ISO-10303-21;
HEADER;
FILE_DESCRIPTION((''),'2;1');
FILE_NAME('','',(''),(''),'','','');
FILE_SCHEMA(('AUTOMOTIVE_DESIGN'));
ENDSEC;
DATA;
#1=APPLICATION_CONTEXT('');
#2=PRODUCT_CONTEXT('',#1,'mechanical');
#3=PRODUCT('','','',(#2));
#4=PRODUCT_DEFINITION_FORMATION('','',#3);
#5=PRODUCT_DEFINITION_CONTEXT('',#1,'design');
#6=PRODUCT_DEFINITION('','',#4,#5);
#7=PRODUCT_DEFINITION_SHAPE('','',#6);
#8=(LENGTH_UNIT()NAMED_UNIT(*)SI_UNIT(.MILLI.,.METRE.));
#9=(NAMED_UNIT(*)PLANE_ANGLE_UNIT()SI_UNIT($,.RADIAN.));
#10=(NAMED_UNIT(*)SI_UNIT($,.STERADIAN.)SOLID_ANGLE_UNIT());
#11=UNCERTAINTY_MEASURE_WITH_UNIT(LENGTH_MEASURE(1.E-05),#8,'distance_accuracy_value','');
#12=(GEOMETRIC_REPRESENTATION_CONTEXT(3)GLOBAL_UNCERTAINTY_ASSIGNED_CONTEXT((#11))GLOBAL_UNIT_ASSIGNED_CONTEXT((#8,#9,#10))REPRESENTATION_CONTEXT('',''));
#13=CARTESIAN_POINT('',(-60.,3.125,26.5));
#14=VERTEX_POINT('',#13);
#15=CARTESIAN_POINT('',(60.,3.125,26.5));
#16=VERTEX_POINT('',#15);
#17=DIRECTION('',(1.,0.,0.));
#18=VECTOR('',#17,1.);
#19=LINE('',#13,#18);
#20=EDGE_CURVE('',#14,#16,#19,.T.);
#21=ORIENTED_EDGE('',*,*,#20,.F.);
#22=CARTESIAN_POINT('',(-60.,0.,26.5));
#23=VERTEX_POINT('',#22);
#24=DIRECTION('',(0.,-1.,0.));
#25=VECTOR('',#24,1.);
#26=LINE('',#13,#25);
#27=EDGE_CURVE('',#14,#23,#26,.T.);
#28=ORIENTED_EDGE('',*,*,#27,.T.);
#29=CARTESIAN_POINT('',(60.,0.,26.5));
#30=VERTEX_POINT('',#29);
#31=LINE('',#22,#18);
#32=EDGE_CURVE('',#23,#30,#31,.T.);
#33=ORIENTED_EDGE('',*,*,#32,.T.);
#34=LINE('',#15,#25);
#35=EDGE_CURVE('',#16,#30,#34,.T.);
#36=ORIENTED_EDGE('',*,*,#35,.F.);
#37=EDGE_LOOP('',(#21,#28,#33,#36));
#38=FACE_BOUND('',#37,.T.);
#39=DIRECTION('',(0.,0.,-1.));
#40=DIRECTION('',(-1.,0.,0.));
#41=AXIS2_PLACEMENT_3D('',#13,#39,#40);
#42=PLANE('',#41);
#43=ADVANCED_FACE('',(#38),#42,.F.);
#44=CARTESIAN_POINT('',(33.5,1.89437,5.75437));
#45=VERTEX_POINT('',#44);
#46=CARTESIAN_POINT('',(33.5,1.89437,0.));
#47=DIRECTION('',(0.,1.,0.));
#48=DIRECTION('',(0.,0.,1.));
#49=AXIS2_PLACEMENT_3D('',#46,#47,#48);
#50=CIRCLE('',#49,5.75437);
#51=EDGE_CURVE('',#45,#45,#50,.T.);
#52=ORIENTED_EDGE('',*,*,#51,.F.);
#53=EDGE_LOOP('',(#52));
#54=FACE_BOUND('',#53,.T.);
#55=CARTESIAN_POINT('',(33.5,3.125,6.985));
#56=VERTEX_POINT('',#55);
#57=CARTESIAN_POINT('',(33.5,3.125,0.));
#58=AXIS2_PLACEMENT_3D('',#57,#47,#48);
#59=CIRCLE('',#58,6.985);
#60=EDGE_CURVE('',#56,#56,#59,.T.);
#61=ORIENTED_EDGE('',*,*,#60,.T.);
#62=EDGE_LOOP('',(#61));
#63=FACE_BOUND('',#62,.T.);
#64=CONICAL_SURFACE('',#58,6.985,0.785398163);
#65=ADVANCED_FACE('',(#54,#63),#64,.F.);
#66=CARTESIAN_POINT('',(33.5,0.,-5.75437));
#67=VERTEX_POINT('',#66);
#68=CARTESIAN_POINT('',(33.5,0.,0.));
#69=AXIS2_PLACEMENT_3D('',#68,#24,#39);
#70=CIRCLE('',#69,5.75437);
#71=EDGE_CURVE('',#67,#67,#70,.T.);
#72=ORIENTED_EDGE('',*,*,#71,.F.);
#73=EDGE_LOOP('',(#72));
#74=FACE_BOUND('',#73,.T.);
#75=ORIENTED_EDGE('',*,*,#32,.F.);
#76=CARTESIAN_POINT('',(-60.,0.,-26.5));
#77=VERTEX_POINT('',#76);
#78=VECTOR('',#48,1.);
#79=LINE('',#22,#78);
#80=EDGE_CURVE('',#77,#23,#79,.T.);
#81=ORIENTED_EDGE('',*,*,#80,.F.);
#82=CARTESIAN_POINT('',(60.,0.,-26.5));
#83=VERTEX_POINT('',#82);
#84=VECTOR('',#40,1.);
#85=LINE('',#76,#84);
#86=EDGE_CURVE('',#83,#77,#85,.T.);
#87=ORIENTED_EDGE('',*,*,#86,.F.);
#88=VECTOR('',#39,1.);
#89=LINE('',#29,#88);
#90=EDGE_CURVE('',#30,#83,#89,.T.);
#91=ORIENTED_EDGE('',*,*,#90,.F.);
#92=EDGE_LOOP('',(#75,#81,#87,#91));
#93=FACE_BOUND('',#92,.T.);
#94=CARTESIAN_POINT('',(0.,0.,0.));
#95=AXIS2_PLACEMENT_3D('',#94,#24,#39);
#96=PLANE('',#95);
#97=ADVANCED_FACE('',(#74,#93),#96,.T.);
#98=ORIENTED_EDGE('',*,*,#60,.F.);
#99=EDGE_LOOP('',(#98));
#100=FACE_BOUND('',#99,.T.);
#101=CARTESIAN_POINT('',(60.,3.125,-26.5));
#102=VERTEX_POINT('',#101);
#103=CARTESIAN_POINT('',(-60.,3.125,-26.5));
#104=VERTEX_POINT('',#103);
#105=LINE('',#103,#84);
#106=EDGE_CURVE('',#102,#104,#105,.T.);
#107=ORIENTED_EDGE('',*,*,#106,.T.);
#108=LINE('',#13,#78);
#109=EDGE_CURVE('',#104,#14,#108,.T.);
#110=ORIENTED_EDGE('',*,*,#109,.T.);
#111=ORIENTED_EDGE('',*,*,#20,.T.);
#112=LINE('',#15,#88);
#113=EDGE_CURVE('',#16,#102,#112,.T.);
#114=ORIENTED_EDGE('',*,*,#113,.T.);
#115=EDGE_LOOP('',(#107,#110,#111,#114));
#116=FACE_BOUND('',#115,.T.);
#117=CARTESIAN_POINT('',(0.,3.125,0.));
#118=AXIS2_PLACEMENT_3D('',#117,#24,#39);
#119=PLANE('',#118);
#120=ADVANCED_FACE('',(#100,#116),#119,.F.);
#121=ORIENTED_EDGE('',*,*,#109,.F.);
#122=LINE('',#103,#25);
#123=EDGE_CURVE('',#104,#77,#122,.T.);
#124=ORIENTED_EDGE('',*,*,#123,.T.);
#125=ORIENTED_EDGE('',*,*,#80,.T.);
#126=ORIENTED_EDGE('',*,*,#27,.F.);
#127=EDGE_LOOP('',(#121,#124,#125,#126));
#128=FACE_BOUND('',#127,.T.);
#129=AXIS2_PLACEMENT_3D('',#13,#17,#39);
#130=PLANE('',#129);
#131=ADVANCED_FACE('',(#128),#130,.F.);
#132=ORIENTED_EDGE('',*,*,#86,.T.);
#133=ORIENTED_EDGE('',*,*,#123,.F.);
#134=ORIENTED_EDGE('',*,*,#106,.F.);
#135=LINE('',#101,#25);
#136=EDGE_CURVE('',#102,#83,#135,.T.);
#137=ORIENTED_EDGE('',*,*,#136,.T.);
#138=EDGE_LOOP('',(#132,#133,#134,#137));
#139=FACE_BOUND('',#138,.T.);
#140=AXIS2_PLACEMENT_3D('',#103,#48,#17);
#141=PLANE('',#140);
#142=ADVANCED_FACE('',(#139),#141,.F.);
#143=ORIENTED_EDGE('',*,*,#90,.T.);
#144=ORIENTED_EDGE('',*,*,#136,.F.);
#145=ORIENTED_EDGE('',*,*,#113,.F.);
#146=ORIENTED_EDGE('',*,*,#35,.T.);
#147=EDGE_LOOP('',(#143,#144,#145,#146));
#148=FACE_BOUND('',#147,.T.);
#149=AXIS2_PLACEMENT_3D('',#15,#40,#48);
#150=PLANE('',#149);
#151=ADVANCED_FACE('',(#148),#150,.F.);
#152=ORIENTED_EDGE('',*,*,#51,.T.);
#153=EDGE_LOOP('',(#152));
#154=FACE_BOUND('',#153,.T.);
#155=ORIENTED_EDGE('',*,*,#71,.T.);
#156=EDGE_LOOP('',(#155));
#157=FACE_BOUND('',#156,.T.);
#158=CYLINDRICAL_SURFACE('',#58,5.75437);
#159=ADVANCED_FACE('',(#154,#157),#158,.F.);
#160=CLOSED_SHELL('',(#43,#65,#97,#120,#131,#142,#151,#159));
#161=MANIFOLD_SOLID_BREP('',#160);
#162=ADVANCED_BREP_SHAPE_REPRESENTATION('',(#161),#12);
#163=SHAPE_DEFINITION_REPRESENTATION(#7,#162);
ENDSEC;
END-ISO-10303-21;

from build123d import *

# Parameters (mm, degrees)
SKETCH1_W                         = 120
SKETCH1_H                         = 53
BOSS_EXTRUDE1_DEPTH               = 3.125
F_1_2_20_TAPPED_HOLE1_D           = 11.50874
F_1_2_20_TAPPED_HOLE1_DEPTH       = 30
F_1_2_20_TAPPED_HOLE1_CSINK_D     = 13.97
F_1_2_20_TAPPED_HOLE1_CSINK_ANGLE = 90
F_1_2_20_TAPPED_HOLE1_TIP         = 3.45757432


with BuildPart() as part:
    # Sketch1 → Boss-Extrude1 (new body)
    with BuildSketch(Plane(origin=(0, 0, 0), x_dir=(1, 0, 0), z_dir=(0, 1, 0))):
        Rectangle(SKETCH1_W, SKETCH1_H)
    extrude(amount=BOSS_EXTRUDE1_DEPTH)

    # 1/2-20 Tapped Hole1
    with Locations(Plane(origin=(0, 3.125, 0), x_dir=(1, 0, 0), z_dir=(0, 1, 0))):
        with Locations((33.5, 0)):
            CounterSinkHole(F_1_2_20_TAPPED_HOLE1_D / 2, F_1_2_20_TAPPED_HOLE1_CSINK_D / 2, depth=F_1_2_20_TAPPED_HOLE1_DEPTH, counter_sink_angle=F_1_2_20_TAPPED_HOLE1_CSINK_ANGLE)
            with Locations((0, 0, -(F_1_2_20_TAPPED_HOLE1_DEPTH + F_1_2_20_TAPPED_HOLE1_TIP / 2))):  # 118° drill point
                Cone(0, F_1_2_20_TAPPED_HOLE1_D / 2, F_1_2_20_TAPPED_HOLE1_TIP, mode=Mode.SUBTRACT)


solid = part.part
